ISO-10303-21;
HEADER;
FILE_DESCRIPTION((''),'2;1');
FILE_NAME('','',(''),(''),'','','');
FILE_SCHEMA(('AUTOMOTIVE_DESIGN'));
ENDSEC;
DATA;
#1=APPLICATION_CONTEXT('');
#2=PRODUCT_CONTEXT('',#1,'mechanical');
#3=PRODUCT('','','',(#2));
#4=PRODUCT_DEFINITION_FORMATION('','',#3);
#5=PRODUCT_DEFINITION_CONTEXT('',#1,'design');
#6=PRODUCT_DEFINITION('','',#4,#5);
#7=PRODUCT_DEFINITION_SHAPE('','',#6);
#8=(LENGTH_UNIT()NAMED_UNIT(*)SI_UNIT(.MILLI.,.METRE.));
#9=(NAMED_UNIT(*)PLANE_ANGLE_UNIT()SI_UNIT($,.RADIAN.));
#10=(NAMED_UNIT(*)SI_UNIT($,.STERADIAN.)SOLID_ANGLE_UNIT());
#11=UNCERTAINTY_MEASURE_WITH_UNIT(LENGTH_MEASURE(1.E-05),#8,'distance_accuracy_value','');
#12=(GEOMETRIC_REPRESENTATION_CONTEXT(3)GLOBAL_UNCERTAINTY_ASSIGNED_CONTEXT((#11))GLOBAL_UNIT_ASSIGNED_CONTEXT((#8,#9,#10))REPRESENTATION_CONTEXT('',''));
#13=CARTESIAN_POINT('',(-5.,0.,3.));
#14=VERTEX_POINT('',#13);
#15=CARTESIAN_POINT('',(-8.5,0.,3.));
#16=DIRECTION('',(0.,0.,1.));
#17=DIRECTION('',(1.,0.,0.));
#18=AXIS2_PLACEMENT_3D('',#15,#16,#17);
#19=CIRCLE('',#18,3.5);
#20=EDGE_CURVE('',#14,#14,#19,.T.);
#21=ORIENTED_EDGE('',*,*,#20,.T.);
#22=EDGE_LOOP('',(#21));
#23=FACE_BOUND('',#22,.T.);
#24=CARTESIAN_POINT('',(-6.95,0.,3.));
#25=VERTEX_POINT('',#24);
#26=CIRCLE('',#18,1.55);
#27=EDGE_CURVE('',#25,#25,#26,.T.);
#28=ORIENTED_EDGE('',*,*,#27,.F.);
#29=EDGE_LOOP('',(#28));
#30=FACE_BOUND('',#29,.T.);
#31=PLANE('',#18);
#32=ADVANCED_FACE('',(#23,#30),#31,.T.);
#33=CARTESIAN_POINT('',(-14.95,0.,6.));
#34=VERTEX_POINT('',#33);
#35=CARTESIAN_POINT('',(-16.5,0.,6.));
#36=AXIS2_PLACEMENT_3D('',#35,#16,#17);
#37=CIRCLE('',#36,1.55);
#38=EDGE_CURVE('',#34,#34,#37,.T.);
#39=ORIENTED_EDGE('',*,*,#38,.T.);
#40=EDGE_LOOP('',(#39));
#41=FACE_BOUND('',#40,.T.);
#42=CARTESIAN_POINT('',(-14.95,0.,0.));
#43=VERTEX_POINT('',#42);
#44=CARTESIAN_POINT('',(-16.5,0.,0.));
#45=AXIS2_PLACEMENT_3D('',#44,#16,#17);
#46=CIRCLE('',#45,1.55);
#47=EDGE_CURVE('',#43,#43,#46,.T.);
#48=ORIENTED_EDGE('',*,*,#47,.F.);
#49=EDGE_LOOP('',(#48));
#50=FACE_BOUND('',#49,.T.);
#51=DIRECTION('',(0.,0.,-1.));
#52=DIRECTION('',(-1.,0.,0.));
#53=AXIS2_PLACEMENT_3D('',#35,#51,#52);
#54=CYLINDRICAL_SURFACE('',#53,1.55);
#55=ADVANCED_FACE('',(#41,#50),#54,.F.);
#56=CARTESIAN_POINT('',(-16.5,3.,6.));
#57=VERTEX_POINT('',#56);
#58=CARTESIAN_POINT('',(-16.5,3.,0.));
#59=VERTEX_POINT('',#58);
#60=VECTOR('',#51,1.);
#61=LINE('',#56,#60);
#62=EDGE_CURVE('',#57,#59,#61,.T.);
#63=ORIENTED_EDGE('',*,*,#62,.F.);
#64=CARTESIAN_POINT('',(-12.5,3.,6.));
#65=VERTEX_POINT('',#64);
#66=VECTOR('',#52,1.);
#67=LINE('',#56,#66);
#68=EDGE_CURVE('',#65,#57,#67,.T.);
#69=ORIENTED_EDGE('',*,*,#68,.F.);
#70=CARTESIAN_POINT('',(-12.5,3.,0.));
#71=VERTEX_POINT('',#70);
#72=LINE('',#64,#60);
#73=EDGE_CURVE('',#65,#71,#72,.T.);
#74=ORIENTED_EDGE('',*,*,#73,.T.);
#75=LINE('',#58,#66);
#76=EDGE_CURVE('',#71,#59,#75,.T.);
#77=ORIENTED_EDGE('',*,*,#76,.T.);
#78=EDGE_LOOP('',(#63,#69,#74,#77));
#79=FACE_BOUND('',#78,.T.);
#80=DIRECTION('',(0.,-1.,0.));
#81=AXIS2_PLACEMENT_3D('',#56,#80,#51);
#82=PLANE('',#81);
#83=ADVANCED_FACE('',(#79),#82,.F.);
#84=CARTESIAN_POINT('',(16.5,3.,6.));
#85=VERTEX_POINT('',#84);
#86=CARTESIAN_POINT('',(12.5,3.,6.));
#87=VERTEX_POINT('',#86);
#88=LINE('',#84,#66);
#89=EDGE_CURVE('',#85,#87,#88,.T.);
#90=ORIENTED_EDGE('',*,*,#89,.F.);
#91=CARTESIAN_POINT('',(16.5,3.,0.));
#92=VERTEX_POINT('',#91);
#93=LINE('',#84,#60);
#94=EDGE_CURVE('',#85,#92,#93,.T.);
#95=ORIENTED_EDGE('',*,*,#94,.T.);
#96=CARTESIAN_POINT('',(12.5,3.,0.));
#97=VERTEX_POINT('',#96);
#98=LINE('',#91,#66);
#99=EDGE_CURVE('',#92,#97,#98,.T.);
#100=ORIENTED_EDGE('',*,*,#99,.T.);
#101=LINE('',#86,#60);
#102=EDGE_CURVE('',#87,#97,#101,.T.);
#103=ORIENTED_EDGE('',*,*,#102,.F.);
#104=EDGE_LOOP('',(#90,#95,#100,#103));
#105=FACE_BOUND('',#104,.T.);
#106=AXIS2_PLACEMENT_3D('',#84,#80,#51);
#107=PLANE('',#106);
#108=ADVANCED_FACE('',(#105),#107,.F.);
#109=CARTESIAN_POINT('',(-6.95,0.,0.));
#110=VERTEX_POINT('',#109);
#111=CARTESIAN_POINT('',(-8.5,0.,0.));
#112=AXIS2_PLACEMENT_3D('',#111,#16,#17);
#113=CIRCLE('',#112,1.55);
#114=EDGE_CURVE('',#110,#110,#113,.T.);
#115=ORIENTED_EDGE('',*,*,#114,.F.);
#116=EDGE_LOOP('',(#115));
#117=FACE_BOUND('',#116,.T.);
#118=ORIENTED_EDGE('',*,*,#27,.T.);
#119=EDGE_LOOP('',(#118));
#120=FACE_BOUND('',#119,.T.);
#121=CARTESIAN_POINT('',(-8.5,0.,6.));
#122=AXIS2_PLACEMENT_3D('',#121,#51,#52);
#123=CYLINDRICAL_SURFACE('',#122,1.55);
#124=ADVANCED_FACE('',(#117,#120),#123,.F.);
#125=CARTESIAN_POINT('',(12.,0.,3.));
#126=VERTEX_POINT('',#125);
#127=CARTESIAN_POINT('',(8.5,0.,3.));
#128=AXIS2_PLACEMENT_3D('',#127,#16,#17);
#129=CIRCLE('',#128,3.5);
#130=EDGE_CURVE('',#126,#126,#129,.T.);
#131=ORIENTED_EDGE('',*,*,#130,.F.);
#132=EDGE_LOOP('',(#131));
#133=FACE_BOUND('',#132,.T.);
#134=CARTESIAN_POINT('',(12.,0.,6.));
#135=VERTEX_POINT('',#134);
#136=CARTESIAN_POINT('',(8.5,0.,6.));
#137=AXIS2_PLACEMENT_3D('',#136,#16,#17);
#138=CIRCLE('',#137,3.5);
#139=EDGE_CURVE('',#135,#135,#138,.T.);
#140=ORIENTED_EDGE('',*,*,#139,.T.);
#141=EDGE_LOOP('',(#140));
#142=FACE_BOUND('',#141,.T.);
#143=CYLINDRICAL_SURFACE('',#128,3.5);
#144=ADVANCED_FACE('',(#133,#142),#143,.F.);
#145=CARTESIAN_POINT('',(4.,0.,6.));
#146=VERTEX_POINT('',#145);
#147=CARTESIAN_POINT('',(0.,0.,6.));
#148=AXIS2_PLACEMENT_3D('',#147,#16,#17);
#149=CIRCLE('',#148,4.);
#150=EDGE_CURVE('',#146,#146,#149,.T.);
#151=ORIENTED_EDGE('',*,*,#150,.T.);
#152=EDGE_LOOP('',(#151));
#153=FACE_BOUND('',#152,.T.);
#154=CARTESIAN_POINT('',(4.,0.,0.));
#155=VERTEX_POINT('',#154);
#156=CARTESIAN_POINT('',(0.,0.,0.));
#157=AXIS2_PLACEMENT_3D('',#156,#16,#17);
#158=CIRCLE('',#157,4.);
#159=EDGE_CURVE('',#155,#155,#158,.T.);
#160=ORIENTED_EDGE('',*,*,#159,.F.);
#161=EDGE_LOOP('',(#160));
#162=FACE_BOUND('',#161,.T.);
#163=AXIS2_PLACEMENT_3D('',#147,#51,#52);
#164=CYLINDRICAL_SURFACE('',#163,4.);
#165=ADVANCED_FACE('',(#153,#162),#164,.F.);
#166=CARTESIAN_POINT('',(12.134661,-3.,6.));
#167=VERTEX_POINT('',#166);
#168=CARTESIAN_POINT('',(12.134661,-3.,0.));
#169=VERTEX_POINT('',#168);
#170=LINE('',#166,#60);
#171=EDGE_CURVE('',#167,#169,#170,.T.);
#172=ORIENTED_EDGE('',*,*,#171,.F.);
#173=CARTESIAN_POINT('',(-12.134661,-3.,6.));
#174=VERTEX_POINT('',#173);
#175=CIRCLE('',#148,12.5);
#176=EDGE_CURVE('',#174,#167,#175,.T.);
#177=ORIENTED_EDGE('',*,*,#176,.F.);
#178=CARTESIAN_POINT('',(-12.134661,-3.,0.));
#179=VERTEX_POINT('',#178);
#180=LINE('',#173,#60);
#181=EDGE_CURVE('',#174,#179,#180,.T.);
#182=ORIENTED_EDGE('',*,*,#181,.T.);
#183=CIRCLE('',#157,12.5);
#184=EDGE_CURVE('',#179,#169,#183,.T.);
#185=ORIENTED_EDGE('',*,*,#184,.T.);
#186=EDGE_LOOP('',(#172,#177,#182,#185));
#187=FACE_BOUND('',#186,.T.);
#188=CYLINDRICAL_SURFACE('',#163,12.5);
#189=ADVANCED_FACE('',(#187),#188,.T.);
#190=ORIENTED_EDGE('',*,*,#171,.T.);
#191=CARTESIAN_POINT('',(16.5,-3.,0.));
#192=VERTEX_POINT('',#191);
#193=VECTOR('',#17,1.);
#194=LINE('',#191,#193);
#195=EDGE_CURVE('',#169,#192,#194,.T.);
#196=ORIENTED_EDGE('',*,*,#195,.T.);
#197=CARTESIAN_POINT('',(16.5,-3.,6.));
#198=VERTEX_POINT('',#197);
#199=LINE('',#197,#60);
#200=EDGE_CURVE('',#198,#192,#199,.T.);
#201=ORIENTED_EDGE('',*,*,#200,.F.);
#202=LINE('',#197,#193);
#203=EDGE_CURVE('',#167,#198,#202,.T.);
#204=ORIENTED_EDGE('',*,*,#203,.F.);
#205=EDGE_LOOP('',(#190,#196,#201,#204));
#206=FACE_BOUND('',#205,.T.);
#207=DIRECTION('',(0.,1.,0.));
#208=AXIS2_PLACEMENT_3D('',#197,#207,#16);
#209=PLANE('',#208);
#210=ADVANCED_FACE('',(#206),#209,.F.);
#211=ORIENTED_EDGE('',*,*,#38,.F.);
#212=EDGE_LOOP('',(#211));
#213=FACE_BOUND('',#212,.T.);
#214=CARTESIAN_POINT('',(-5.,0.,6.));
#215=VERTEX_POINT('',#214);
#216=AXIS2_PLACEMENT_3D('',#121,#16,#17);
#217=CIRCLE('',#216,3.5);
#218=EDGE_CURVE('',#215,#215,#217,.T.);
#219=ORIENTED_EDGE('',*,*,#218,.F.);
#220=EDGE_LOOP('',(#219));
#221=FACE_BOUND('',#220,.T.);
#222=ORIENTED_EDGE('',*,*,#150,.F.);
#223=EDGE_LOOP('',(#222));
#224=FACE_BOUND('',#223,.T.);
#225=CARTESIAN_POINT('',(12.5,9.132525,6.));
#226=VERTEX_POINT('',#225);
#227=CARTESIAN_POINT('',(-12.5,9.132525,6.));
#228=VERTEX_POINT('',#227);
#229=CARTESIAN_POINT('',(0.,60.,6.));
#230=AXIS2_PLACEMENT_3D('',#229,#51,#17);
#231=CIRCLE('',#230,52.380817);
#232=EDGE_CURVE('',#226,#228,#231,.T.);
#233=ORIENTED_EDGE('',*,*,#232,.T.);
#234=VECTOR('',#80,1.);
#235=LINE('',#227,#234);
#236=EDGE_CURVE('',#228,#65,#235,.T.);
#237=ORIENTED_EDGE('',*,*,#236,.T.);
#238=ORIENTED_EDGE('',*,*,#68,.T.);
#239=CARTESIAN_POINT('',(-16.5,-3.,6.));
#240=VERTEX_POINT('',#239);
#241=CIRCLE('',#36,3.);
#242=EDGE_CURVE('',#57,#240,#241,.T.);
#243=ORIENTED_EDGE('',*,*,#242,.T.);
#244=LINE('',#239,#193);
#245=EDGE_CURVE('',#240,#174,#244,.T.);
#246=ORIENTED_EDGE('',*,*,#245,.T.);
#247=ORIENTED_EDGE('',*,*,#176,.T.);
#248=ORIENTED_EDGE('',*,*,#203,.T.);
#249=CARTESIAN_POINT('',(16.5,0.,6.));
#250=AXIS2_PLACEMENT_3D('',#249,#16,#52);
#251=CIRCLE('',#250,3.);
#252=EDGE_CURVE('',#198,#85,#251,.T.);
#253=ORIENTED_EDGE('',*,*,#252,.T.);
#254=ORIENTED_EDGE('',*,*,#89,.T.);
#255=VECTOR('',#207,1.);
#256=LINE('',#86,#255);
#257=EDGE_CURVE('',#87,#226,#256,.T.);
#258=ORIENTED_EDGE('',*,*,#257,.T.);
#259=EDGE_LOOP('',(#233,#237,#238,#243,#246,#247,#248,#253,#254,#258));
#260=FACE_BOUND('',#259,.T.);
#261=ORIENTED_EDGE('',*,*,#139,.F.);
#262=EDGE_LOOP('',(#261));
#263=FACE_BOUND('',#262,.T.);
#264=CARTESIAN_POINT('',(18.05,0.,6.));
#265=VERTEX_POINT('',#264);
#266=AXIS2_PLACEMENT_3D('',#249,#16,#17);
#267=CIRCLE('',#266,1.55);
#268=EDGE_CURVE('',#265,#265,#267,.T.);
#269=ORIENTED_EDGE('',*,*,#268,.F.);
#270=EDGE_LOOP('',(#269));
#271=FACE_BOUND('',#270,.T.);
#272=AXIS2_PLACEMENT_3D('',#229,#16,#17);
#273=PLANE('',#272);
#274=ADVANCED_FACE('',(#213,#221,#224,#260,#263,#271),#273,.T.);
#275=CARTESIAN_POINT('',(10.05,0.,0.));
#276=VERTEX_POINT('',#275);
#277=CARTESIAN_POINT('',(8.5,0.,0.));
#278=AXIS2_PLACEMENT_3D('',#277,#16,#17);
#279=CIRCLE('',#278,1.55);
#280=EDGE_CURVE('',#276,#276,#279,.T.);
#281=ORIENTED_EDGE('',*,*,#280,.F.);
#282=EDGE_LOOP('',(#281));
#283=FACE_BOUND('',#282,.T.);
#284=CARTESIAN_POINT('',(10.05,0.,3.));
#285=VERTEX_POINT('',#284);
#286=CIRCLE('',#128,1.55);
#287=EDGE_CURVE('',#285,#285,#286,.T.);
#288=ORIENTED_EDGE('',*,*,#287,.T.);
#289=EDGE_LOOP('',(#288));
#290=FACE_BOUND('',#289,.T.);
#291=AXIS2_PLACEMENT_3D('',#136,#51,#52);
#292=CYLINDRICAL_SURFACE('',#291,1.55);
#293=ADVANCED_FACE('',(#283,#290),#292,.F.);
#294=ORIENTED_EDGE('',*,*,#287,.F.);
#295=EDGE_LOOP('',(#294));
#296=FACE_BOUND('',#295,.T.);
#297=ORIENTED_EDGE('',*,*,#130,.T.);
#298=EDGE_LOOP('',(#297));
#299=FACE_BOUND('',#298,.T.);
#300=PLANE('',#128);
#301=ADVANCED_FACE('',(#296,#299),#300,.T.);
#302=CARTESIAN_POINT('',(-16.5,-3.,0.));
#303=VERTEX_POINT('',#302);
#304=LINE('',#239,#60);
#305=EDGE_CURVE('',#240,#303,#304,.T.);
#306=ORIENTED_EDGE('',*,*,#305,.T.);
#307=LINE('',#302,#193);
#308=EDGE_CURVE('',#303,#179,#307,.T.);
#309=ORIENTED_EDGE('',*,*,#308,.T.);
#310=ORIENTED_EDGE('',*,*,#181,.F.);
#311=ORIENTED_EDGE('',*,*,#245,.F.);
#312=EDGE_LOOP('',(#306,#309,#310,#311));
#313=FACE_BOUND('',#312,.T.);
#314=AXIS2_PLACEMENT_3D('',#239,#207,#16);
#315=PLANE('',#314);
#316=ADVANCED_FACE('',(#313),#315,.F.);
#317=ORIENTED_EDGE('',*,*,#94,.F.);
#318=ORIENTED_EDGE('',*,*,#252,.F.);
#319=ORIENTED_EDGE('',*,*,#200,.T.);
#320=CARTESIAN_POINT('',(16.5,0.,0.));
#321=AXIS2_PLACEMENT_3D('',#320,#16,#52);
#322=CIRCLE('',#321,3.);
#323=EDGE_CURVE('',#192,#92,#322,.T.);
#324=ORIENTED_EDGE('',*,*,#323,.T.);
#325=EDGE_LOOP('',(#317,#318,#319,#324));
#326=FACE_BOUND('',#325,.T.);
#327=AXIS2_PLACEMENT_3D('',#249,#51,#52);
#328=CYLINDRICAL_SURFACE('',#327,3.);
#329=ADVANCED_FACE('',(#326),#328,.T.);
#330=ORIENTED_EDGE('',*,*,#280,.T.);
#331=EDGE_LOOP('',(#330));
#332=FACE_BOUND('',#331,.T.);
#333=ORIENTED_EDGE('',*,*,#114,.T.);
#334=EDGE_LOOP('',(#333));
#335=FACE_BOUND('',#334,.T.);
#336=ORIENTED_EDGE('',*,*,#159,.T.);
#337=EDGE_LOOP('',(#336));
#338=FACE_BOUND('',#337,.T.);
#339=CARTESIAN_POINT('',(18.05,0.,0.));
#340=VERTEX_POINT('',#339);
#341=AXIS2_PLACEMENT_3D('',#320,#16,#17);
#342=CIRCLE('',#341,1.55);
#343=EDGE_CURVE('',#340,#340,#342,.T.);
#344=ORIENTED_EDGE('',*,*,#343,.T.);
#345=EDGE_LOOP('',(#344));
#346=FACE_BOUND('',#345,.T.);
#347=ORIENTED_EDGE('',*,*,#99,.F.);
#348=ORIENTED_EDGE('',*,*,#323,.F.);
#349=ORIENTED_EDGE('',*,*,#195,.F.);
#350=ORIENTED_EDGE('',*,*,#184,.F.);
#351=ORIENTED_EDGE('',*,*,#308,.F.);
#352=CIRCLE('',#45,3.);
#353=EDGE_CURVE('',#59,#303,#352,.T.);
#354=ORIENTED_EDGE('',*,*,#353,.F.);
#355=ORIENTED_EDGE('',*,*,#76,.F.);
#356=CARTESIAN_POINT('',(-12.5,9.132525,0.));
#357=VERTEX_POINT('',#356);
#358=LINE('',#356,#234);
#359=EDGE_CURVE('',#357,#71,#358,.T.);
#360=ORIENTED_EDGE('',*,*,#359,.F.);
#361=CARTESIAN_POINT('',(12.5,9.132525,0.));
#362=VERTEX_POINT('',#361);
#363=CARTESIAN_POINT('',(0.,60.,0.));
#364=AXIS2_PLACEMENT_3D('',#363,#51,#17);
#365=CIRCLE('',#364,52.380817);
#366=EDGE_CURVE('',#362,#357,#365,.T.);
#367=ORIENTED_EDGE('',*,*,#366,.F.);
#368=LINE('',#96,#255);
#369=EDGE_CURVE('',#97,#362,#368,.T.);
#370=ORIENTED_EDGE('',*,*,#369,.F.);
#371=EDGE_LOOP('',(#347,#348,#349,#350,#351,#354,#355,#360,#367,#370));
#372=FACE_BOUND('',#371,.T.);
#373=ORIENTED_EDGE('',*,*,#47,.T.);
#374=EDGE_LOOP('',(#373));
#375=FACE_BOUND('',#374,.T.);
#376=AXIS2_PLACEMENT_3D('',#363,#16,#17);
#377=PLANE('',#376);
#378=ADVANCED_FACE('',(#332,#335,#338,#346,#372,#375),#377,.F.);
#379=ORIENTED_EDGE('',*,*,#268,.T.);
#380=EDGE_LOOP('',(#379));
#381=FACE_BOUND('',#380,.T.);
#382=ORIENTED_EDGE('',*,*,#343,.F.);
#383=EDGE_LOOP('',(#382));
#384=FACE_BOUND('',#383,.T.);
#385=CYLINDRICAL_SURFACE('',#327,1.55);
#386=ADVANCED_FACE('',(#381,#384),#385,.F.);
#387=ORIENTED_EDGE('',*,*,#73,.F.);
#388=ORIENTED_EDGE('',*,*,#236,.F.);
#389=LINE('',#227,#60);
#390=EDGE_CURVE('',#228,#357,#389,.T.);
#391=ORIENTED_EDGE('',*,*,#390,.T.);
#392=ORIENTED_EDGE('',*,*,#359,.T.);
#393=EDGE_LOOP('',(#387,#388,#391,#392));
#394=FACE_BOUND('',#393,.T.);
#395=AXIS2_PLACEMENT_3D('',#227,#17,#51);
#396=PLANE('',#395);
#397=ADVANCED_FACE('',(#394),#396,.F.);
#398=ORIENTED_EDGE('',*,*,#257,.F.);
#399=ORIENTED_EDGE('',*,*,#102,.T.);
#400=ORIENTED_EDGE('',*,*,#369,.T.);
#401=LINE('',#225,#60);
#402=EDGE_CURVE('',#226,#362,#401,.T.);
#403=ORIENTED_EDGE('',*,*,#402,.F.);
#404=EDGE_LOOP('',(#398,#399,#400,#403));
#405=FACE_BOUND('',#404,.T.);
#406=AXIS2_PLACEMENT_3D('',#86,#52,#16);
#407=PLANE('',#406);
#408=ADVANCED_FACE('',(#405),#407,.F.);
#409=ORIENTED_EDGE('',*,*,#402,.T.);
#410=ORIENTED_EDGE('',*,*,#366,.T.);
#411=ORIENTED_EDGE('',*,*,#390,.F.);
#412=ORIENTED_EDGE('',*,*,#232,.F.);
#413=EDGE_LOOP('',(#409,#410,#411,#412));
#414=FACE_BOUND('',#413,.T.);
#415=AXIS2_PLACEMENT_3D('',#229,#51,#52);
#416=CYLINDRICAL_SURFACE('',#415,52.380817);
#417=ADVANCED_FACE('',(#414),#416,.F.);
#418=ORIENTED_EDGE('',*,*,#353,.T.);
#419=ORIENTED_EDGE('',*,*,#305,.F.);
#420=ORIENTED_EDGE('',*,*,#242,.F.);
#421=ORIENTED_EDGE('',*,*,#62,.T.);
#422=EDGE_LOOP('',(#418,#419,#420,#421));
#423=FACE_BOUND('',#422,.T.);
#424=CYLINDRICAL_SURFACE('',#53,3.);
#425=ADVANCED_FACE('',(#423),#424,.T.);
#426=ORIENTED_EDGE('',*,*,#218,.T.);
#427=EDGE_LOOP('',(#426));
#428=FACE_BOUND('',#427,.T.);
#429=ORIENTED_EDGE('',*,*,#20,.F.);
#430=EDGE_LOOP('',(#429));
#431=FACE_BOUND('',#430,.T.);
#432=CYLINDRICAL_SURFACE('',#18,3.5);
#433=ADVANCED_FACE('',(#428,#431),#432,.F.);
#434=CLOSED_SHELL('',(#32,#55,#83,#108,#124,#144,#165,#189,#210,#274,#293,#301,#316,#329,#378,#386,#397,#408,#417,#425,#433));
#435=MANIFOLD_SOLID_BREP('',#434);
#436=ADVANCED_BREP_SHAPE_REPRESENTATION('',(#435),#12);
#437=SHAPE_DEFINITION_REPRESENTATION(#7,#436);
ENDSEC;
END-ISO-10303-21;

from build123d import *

# Parameters (mm, degrees)
SKETCH1_R           = 1.55
SKETCH1_R_2         = 4
BOSS_EXTRUDE1_DEPTH = 6
SKETCH2_R           = 3.5
CUT_EXTRUDE1_DEPTH  = 3


with BuildPart() as part:
    # Sketch1 → Boss-Extrude1 (new body)
    with BuildSketch(Plane.XY):
        with BuildLine():
            Line((-16.5, 3), (-12.5, 3))
            Line((-12.5, 3), (-12.5, 9.132525127))
            ThreePointArc((-12.5, 9.132525127), (0, 7.619182901), (12.5, 9.132525127))
            Line((12.5, 9.132525127), (12.5, 3))
            Line((12.5, 3), (16.5, 3))
            ThreePointArc((16.5, 3), (19.5, 0), (16.5, -3))
            Line((16.5, -3), (12.1346611, -3))
            ThreePointArc((12.1346611, -3), (0, -12.5), (-12.1346611, -3))
            Line((-12.1346611, -3), (-16.5, -3))
            ThreePointArc((-16.5, -3), (-19.5, 0), (-16.5, 3))
        make_face()
        with Locations((-8.5, 0)):
            Circle(SKETCH1_R, mode=Mode.SUBTRACT)
        with Locations((8.5, 0)):
            Circle(SKETCH1_R, mode=Mode.SUBTRACT)
        Circle(SKETCH1_R_2, mode=Mode.SUBTRACT)
        with Locations((-16.5, 0)):
            Circle(SKETCH1_R, mode=Mode.SUBTRACT)
        with Locations((16.5, 0)):
            Circle(SKETCH1_R, mode=Mode.SUBTRACT)
    extrude(amount=BOSS_EXTRUDE1_DEPTH)

    # Sketch2 → Cut-Extrude1 (cut)
    with BuildSketch(Plane.XY.offset(6)):
        with Locations((-8.5, 0)):
            Circle(SKETCH2_R)
        with Locations((8.5, 0)):
            Circle(SKETCH2_R)
    extrude(amount=-CUT_EXTRUDE1_DEPTH, mode=Mode.SUBTRACT)


solid = part.part
